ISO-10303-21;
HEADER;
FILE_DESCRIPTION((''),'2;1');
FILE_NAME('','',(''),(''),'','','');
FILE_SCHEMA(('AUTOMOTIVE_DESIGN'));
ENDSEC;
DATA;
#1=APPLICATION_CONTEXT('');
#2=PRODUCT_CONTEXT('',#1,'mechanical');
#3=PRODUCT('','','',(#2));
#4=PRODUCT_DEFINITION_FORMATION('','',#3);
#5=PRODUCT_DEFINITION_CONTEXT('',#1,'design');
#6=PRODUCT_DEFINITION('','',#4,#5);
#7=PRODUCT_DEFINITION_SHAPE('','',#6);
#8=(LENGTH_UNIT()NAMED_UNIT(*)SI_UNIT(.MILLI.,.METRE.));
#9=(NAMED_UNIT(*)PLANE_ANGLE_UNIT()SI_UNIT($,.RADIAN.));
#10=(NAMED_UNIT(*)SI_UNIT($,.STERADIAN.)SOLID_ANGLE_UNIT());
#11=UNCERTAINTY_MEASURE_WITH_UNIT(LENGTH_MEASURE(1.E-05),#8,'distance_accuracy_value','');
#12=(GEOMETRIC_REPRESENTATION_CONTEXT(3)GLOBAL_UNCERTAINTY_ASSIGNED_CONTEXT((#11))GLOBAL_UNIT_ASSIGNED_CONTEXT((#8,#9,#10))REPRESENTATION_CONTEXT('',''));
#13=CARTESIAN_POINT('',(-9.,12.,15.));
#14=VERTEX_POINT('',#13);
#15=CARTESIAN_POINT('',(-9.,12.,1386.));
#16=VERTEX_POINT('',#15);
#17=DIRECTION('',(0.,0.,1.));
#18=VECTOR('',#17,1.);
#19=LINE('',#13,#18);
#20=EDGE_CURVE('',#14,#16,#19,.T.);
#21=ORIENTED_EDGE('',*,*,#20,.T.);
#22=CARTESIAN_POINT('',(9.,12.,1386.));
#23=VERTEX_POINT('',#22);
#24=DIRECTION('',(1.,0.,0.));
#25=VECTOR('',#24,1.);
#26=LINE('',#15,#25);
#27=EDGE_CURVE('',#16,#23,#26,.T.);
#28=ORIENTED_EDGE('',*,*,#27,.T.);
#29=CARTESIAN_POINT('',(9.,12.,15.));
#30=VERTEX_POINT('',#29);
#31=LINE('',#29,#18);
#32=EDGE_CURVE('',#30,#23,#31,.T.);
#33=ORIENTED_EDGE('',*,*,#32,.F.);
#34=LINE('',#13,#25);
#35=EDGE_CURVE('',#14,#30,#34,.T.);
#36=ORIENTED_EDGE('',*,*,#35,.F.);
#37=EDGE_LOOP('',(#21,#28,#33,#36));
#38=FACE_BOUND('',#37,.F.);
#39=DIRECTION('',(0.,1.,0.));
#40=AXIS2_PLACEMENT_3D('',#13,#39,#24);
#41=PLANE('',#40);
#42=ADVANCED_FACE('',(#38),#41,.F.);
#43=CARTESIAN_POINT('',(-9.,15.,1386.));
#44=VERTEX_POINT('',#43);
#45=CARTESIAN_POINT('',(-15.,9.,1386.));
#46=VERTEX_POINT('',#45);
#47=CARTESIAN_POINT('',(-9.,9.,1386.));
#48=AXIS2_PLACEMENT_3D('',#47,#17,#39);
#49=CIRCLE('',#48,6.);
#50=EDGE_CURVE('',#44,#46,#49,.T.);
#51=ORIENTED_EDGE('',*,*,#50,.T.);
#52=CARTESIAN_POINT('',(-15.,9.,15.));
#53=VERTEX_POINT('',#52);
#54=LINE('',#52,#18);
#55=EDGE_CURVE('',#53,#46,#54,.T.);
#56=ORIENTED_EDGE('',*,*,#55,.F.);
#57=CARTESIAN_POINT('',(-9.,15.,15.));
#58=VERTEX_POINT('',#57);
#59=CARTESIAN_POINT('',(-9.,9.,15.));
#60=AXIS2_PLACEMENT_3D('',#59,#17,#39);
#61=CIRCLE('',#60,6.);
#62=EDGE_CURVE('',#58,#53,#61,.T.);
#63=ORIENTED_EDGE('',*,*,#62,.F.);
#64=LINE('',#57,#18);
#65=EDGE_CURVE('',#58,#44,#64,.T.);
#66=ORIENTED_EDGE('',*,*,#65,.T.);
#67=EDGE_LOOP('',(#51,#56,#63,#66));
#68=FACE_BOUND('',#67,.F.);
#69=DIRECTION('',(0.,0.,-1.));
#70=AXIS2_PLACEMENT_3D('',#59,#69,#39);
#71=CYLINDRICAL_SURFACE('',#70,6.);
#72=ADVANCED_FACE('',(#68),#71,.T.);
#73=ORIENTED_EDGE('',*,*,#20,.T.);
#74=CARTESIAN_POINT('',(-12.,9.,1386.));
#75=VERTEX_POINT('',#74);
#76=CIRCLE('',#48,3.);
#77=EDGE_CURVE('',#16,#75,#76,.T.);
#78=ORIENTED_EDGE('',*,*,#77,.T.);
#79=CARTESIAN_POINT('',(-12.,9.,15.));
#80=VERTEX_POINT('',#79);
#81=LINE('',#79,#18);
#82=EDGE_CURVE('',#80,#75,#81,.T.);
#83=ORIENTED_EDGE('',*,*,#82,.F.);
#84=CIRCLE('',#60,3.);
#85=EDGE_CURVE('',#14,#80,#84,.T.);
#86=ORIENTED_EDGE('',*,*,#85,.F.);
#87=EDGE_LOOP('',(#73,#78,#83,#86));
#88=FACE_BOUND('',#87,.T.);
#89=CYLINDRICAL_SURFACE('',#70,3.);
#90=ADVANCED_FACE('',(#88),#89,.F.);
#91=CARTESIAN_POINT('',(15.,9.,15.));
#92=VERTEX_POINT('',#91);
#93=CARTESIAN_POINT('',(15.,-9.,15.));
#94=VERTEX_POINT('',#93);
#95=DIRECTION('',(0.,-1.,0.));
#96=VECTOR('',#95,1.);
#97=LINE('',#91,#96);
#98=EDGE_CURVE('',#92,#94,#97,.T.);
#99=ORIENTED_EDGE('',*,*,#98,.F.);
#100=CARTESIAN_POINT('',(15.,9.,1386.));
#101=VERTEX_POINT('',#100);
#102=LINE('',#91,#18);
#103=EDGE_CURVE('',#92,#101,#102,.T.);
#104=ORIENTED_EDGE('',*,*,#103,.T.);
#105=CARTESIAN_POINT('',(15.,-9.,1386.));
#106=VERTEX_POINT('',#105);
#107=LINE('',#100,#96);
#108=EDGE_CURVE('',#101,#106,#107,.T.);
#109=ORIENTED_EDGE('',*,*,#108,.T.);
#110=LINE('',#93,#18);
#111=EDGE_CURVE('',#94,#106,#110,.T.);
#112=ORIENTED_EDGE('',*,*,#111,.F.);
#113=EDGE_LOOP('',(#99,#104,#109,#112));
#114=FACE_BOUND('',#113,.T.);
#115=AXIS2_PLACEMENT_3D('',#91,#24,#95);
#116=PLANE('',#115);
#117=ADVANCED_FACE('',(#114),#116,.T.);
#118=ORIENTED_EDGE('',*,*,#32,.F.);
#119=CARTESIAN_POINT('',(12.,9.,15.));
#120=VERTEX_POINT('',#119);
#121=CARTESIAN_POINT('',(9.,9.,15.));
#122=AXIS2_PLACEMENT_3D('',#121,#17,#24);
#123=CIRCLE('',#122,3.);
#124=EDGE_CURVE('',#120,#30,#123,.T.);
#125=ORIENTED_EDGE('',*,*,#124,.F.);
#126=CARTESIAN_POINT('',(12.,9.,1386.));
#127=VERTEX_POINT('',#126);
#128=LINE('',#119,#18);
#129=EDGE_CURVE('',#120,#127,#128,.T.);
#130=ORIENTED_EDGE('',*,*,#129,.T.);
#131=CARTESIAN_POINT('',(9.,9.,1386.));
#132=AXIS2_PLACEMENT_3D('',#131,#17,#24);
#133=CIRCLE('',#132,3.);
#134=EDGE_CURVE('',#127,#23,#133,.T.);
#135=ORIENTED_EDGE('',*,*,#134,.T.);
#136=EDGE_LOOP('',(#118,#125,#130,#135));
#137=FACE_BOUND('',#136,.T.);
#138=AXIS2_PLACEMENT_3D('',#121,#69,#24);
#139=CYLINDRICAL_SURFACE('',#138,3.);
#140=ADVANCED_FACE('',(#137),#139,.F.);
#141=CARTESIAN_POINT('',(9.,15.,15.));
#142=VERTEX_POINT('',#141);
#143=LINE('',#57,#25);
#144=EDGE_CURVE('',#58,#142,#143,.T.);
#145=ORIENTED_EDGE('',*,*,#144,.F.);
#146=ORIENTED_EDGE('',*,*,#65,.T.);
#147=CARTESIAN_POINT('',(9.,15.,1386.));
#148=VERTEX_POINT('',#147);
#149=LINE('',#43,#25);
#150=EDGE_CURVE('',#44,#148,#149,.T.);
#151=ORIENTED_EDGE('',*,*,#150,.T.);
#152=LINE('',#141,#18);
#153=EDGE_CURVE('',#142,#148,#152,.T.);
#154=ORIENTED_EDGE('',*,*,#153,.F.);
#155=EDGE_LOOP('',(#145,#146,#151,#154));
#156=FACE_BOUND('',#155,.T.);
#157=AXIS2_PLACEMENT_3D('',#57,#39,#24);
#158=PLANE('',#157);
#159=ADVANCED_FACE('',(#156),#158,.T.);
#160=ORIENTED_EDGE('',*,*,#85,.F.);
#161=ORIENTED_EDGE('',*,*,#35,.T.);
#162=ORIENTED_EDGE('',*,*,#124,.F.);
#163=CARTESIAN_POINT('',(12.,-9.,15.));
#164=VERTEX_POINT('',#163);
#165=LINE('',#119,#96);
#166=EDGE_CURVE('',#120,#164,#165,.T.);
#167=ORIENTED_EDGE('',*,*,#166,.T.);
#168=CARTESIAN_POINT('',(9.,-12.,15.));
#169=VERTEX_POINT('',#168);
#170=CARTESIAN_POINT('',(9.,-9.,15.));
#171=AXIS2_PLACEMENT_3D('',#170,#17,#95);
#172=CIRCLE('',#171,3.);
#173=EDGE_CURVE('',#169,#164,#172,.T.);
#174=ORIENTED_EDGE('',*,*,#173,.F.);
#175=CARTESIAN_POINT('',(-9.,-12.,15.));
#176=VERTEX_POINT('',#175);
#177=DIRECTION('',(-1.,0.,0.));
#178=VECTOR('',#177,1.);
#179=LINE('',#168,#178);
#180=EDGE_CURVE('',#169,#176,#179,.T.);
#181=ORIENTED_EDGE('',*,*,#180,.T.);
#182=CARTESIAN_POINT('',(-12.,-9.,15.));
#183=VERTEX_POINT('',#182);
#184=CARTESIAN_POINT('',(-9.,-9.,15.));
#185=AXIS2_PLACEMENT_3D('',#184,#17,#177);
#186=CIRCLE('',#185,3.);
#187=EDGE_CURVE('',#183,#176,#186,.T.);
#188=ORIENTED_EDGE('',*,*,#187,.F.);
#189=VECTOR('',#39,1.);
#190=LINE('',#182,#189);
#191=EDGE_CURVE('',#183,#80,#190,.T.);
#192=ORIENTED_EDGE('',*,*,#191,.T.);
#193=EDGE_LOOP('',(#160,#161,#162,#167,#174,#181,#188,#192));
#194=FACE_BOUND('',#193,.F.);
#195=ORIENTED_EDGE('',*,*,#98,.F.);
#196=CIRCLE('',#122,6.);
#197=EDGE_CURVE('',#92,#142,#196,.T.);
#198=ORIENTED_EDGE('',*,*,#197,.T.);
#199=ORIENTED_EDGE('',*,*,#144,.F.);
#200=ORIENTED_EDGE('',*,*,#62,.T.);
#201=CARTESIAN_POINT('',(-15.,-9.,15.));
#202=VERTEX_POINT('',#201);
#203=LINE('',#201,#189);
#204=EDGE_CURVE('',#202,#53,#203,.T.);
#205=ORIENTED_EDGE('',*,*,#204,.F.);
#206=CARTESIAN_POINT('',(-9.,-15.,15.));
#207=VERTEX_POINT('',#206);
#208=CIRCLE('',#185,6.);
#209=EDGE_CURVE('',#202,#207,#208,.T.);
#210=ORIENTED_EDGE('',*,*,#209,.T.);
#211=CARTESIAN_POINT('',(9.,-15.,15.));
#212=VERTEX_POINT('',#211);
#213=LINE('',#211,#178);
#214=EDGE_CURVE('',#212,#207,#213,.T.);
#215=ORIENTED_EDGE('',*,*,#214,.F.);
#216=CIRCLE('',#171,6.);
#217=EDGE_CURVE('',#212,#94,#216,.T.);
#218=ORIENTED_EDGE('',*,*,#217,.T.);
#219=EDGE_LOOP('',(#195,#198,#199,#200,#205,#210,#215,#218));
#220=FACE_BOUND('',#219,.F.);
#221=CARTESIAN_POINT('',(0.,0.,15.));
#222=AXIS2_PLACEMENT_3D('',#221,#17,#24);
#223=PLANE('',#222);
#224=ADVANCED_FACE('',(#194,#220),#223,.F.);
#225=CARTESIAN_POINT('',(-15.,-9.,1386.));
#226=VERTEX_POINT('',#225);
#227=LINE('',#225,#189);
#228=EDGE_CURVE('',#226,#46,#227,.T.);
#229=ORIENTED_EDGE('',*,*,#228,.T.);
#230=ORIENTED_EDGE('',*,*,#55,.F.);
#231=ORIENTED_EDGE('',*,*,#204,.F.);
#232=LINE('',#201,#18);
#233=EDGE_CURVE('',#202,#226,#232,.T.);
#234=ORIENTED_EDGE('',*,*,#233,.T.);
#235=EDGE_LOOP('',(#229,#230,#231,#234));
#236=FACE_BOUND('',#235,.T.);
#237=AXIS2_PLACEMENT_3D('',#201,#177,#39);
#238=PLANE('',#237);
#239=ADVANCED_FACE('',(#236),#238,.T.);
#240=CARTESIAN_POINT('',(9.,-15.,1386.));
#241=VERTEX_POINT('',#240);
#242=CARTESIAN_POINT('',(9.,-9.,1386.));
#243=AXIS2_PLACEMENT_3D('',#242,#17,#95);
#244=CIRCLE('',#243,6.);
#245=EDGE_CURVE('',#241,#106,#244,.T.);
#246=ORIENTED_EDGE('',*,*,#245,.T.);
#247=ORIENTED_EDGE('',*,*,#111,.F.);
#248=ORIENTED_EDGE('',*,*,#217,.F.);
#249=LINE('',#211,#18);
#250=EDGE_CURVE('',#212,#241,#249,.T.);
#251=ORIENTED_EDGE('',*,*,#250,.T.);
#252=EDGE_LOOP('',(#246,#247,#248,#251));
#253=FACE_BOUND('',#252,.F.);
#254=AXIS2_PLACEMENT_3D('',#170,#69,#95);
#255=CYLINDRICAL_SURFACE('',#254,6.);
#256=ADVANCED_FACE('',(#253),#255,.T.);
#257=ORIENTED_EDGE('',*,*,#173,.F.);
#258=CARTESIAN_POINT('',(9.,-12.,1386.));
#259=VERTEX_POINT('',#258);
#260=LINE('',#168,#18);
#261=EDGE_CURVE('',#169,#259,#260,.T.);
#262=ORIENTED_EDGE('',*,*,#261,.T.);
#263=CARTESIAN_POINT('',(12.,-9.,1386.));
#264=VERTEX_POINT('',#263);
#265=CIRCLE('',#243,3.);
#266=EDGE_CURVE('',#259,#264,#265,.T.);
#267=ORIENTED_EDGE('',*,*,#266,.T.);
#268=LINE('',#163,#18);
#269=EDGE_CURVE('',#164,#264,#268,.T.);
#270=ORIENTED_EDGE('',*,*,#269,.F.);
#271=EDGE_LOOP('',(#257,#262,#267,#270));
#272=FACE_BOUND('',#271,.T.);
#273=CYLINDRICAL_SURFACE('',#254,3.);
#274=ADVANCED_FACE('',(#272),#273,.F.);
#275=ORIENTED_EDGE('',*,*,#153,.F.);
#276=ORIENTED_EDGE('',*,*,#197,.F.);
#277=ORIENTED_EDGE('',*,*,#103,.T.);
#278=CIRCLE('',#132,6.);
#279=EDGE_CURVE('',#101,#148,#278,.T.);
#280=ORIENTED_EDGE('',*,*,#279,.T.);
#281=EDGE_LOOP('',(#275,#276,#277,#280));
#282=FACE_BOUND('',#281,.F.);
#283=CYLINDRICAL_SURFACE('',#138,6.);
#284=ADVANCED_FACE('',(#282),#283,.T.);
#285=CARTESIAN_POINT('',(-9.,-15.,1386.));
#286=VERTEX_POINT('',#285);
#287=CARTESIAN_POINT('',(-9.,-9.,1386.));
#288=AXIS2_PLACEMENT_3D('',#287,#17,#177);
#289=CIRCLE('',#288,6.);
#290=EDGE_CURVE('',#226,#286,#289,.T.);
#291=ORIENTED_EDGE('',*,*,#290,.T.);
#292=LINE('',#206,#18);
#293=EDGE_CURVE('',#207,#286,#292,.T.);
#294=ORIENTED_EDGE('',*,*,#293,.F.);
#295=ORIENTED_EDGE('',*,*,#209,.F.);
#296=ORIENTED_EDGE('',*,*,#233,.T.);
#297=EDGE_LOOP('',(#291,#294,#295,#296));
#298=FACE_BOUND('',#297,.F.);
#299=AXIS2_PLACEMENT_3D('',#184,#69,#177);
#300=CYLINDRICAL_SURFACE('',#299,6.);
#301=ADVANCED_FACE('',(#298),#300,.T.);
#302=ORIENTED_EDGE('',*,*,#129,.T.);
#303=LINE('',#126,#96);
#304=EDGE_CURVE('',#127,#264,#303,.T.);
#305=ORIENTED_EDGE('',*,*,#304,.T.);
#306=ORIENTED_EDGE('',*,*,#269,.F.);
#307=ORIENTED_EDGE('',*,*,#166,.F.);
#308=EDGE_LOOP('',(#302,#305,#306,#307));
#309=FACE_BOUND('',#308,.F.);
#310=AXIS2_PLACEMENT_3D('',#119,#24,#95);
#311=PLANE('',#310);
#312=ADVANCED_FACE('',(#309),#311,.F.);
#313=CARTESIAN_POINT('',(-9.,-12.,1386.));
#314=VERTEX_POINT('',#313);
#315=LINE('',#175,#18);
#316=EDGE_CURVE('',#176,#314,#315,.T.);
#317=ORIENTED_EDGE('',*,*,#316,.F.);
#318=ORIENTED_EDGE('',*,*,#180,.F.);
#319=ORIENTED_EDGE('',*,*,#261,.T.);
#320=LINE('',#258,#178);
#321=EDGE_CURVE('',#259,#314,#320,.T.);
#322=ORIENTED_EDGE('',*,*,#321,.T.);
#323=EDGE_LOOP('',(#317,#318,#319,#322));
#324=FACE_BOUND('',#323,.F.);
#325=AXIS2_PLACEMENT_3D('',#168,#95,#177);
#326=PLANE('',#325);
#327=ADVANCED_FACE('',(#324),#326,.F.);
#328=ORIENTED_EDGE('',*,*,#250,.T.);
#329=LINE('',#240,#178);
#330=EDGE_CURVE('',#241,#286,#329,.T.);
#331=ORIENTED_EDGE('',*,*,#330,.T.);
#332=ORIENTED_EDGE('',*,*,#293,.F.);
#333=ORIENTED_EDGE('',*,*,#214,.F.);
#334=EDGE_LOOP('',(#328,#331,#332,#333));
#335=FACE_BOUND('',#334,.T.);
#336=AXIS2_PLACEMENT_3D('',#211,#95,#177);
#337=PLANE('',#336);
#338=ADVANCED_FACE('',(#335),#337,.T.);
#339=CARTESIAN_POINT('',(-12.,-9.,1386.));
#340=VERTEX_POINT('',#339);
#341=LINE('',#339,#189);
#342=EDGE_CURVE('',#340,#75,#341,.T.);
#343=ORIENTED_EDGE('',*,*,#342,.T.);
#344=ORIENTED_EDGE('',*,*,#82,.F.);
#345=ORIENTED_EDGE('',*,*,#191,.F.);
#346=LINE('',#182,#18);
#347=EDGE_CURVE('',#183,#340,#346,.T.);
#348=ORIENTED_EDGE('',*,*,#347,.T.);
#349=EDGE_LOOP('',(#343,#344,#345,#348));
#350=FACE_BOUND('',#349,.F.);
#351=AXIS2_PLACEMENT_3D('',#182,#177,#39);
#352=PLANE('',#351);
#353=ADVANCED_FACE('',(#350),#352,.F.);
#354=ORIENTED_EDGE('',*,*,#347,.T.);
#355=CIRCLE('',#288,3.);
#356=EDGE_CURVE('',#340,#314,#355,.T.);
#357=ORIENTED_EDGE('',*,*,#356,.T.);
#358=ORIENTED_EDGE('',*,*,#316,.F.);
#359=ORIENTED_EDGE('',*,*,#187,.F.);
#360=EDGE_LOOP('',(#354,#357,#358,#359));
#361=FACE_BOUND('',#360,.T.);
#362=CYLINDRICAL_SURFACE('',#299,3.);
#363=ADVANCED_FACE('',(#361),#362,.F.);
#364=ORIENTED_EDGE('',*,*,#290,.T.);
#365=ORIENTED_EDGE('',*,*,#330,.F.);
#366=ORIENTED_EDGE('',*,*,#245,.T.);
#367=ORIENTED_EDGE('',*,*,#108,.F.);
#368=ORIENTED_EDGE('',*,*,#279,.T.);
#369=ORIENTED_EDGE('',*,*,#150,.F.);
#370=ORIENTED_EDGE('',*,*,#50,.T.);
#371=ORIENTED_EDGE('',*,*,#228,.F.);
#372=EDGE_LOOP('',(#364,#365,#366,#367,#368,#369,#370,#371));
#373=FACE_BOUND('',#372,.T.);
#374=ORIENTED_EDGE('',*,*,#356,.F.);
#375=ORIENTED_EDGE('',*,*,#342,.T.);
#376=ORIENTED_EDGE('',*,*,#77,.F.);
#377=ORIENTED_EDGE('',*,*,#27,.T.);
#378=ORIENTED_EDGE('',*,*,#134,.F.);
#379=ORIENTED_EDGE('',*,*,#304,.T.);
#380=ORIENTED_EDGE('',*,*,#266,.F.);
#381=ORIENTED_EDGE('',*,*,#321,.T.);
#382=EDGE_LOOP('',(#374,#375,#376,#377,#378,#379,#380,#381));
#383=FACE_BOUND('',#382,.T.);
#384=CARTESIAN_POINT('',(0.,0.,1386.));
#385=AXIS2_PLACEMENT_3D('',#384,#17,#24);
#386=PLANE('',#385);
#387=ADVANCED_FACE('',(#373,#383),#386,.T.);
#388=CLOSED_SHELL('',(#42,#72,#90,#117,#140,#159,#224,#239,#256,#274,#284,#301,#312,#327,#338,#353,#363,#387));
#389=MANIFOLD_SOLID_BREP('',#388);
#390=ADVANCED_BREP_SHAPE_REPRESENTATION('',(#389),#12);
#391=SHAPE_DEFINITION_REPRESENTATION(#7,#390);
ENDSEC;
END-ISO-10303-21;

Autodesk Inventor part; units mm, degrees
ref_plane "Start Plane" through (0, 0, 15) normal (0, 0, 1) x (1, 0, 0)
ref_plane "End Plane" through (0, 0, 1386) normal (0, 0, 1) x (1, 0, 0)
sketch "Sketch" plane through (0, 0, 0) normal (0, 0, 1) x (1, 0, 0)
  line L0 (-15, -9) -> (-15, 9)
  line L1 (-9, 15) -> (9, 15)
  line L2 (15, 9) -> (15, -9)
  line L3 (9, -15) -> (-9, -15)
  arc A0 (-15, -9) -> (-9, -15) centre (-9, -9) ccw
  arc A1 (-9, 15) -> (-15, 9) centre (-9, 9) ccw
  arc A2 (15, 9) -> (9, 15) centre (9, 9) ccw
  arc A3 (9, -15) -> (15, -9) centre (9, -9) ccw
  arc A4 (-9, 12) -> (-12, 9) centre (-9, 9) ccw
  line L4 (-9, 12) -> (9, 12)
  arc A5 (12, 9) -> (9, 12) centre (9, 9) ccw
  line L5 (12, 9) -> (12, -9)
  arc A6 (9, -12) -> (12, -9) centre (9, -9) ccw
  line L6 (9, -12) -> (-9, -12)
  arc A7 (-12, -9) -> (-9, -12) centre (-9, -9) ccw
  line L7 (-12, -9) -> (-12, 9)
  line L8 (0, 22.7397) -> (0, -22.7397) construction
  line L9 (-22.7397, 0) -> (22.7397, 0) construction
  dimension "d7" = 6
  dimension "d10" = 30
  dimension "d11" = 30
  dimension "d12" = 3
  dimension "d15" = 15
  dimension "d16" = 15
extrude "Body" add sketch "Sketch" along normal up to surface (1371 mm away) from surface at 15
sketch "Sketch3" plane through (0, 0, 0) normal (0, 0, 1) x (1, 0, 0)
  line L0 (0, 0) -> (10, 0)
ref_plane "Work Plane3" through (0, 0, 0) normal (0, -1, 0) x (1, 0, 0)
ref_plane "Work Plane4" through (9, -520, 15) normal (0, 0, -1) x (-1, 0, 0)
split "Split1" plane through (9, -520, 15) removes the side toward (0, 0, -1)
ref_plane "Work Plane5" through (9, 230, 1386) normal (0, 0, 1) x (1, 0, 0)
split "Split2" plane through (9, 230, 1386) removes the side toward (0, 0, 1)
sketch "Sketch4" plane through (0, 0, 0) normal (0, -1, 0) x (1, 0, 0)
  line L0 (-2, 15) -> (12, 15) projected
  line L1 (-2, 1386) -> (12, 1386) projected
  dimension "d18" = 1371
equation "\"d7\" = G_IR"
equation "\"d10\" = G_H"
equation "\"d11\" = G_W"
equation "\"d12\" = G_T"
equation "\"d15\" = 0.5 * d10"
equation "\"d16\" = 0.5 * d11"
equation "\"d3\" = G_L"
equation "\"G_W\" = 30"
equation "\"G_H\" = 30"
equation "\"G_T\" = 3"
equation "\"G_IR\" = 6"
equation "\"G_L\" = d18"
equation "\"G_OFFSET_START\" = -15"
equation "\"G_OFFSET_END\" = -15"
equation "\"d13\" = -G_OFFSET_START"
equation "\"d14\" = G_OFFSET_END + B_L"
equation "\"B_L\" = 1401"
properties part number "DIN EN 10219-2 - 30 x 30 x 3  - 1371" material "Steel, Mild"
